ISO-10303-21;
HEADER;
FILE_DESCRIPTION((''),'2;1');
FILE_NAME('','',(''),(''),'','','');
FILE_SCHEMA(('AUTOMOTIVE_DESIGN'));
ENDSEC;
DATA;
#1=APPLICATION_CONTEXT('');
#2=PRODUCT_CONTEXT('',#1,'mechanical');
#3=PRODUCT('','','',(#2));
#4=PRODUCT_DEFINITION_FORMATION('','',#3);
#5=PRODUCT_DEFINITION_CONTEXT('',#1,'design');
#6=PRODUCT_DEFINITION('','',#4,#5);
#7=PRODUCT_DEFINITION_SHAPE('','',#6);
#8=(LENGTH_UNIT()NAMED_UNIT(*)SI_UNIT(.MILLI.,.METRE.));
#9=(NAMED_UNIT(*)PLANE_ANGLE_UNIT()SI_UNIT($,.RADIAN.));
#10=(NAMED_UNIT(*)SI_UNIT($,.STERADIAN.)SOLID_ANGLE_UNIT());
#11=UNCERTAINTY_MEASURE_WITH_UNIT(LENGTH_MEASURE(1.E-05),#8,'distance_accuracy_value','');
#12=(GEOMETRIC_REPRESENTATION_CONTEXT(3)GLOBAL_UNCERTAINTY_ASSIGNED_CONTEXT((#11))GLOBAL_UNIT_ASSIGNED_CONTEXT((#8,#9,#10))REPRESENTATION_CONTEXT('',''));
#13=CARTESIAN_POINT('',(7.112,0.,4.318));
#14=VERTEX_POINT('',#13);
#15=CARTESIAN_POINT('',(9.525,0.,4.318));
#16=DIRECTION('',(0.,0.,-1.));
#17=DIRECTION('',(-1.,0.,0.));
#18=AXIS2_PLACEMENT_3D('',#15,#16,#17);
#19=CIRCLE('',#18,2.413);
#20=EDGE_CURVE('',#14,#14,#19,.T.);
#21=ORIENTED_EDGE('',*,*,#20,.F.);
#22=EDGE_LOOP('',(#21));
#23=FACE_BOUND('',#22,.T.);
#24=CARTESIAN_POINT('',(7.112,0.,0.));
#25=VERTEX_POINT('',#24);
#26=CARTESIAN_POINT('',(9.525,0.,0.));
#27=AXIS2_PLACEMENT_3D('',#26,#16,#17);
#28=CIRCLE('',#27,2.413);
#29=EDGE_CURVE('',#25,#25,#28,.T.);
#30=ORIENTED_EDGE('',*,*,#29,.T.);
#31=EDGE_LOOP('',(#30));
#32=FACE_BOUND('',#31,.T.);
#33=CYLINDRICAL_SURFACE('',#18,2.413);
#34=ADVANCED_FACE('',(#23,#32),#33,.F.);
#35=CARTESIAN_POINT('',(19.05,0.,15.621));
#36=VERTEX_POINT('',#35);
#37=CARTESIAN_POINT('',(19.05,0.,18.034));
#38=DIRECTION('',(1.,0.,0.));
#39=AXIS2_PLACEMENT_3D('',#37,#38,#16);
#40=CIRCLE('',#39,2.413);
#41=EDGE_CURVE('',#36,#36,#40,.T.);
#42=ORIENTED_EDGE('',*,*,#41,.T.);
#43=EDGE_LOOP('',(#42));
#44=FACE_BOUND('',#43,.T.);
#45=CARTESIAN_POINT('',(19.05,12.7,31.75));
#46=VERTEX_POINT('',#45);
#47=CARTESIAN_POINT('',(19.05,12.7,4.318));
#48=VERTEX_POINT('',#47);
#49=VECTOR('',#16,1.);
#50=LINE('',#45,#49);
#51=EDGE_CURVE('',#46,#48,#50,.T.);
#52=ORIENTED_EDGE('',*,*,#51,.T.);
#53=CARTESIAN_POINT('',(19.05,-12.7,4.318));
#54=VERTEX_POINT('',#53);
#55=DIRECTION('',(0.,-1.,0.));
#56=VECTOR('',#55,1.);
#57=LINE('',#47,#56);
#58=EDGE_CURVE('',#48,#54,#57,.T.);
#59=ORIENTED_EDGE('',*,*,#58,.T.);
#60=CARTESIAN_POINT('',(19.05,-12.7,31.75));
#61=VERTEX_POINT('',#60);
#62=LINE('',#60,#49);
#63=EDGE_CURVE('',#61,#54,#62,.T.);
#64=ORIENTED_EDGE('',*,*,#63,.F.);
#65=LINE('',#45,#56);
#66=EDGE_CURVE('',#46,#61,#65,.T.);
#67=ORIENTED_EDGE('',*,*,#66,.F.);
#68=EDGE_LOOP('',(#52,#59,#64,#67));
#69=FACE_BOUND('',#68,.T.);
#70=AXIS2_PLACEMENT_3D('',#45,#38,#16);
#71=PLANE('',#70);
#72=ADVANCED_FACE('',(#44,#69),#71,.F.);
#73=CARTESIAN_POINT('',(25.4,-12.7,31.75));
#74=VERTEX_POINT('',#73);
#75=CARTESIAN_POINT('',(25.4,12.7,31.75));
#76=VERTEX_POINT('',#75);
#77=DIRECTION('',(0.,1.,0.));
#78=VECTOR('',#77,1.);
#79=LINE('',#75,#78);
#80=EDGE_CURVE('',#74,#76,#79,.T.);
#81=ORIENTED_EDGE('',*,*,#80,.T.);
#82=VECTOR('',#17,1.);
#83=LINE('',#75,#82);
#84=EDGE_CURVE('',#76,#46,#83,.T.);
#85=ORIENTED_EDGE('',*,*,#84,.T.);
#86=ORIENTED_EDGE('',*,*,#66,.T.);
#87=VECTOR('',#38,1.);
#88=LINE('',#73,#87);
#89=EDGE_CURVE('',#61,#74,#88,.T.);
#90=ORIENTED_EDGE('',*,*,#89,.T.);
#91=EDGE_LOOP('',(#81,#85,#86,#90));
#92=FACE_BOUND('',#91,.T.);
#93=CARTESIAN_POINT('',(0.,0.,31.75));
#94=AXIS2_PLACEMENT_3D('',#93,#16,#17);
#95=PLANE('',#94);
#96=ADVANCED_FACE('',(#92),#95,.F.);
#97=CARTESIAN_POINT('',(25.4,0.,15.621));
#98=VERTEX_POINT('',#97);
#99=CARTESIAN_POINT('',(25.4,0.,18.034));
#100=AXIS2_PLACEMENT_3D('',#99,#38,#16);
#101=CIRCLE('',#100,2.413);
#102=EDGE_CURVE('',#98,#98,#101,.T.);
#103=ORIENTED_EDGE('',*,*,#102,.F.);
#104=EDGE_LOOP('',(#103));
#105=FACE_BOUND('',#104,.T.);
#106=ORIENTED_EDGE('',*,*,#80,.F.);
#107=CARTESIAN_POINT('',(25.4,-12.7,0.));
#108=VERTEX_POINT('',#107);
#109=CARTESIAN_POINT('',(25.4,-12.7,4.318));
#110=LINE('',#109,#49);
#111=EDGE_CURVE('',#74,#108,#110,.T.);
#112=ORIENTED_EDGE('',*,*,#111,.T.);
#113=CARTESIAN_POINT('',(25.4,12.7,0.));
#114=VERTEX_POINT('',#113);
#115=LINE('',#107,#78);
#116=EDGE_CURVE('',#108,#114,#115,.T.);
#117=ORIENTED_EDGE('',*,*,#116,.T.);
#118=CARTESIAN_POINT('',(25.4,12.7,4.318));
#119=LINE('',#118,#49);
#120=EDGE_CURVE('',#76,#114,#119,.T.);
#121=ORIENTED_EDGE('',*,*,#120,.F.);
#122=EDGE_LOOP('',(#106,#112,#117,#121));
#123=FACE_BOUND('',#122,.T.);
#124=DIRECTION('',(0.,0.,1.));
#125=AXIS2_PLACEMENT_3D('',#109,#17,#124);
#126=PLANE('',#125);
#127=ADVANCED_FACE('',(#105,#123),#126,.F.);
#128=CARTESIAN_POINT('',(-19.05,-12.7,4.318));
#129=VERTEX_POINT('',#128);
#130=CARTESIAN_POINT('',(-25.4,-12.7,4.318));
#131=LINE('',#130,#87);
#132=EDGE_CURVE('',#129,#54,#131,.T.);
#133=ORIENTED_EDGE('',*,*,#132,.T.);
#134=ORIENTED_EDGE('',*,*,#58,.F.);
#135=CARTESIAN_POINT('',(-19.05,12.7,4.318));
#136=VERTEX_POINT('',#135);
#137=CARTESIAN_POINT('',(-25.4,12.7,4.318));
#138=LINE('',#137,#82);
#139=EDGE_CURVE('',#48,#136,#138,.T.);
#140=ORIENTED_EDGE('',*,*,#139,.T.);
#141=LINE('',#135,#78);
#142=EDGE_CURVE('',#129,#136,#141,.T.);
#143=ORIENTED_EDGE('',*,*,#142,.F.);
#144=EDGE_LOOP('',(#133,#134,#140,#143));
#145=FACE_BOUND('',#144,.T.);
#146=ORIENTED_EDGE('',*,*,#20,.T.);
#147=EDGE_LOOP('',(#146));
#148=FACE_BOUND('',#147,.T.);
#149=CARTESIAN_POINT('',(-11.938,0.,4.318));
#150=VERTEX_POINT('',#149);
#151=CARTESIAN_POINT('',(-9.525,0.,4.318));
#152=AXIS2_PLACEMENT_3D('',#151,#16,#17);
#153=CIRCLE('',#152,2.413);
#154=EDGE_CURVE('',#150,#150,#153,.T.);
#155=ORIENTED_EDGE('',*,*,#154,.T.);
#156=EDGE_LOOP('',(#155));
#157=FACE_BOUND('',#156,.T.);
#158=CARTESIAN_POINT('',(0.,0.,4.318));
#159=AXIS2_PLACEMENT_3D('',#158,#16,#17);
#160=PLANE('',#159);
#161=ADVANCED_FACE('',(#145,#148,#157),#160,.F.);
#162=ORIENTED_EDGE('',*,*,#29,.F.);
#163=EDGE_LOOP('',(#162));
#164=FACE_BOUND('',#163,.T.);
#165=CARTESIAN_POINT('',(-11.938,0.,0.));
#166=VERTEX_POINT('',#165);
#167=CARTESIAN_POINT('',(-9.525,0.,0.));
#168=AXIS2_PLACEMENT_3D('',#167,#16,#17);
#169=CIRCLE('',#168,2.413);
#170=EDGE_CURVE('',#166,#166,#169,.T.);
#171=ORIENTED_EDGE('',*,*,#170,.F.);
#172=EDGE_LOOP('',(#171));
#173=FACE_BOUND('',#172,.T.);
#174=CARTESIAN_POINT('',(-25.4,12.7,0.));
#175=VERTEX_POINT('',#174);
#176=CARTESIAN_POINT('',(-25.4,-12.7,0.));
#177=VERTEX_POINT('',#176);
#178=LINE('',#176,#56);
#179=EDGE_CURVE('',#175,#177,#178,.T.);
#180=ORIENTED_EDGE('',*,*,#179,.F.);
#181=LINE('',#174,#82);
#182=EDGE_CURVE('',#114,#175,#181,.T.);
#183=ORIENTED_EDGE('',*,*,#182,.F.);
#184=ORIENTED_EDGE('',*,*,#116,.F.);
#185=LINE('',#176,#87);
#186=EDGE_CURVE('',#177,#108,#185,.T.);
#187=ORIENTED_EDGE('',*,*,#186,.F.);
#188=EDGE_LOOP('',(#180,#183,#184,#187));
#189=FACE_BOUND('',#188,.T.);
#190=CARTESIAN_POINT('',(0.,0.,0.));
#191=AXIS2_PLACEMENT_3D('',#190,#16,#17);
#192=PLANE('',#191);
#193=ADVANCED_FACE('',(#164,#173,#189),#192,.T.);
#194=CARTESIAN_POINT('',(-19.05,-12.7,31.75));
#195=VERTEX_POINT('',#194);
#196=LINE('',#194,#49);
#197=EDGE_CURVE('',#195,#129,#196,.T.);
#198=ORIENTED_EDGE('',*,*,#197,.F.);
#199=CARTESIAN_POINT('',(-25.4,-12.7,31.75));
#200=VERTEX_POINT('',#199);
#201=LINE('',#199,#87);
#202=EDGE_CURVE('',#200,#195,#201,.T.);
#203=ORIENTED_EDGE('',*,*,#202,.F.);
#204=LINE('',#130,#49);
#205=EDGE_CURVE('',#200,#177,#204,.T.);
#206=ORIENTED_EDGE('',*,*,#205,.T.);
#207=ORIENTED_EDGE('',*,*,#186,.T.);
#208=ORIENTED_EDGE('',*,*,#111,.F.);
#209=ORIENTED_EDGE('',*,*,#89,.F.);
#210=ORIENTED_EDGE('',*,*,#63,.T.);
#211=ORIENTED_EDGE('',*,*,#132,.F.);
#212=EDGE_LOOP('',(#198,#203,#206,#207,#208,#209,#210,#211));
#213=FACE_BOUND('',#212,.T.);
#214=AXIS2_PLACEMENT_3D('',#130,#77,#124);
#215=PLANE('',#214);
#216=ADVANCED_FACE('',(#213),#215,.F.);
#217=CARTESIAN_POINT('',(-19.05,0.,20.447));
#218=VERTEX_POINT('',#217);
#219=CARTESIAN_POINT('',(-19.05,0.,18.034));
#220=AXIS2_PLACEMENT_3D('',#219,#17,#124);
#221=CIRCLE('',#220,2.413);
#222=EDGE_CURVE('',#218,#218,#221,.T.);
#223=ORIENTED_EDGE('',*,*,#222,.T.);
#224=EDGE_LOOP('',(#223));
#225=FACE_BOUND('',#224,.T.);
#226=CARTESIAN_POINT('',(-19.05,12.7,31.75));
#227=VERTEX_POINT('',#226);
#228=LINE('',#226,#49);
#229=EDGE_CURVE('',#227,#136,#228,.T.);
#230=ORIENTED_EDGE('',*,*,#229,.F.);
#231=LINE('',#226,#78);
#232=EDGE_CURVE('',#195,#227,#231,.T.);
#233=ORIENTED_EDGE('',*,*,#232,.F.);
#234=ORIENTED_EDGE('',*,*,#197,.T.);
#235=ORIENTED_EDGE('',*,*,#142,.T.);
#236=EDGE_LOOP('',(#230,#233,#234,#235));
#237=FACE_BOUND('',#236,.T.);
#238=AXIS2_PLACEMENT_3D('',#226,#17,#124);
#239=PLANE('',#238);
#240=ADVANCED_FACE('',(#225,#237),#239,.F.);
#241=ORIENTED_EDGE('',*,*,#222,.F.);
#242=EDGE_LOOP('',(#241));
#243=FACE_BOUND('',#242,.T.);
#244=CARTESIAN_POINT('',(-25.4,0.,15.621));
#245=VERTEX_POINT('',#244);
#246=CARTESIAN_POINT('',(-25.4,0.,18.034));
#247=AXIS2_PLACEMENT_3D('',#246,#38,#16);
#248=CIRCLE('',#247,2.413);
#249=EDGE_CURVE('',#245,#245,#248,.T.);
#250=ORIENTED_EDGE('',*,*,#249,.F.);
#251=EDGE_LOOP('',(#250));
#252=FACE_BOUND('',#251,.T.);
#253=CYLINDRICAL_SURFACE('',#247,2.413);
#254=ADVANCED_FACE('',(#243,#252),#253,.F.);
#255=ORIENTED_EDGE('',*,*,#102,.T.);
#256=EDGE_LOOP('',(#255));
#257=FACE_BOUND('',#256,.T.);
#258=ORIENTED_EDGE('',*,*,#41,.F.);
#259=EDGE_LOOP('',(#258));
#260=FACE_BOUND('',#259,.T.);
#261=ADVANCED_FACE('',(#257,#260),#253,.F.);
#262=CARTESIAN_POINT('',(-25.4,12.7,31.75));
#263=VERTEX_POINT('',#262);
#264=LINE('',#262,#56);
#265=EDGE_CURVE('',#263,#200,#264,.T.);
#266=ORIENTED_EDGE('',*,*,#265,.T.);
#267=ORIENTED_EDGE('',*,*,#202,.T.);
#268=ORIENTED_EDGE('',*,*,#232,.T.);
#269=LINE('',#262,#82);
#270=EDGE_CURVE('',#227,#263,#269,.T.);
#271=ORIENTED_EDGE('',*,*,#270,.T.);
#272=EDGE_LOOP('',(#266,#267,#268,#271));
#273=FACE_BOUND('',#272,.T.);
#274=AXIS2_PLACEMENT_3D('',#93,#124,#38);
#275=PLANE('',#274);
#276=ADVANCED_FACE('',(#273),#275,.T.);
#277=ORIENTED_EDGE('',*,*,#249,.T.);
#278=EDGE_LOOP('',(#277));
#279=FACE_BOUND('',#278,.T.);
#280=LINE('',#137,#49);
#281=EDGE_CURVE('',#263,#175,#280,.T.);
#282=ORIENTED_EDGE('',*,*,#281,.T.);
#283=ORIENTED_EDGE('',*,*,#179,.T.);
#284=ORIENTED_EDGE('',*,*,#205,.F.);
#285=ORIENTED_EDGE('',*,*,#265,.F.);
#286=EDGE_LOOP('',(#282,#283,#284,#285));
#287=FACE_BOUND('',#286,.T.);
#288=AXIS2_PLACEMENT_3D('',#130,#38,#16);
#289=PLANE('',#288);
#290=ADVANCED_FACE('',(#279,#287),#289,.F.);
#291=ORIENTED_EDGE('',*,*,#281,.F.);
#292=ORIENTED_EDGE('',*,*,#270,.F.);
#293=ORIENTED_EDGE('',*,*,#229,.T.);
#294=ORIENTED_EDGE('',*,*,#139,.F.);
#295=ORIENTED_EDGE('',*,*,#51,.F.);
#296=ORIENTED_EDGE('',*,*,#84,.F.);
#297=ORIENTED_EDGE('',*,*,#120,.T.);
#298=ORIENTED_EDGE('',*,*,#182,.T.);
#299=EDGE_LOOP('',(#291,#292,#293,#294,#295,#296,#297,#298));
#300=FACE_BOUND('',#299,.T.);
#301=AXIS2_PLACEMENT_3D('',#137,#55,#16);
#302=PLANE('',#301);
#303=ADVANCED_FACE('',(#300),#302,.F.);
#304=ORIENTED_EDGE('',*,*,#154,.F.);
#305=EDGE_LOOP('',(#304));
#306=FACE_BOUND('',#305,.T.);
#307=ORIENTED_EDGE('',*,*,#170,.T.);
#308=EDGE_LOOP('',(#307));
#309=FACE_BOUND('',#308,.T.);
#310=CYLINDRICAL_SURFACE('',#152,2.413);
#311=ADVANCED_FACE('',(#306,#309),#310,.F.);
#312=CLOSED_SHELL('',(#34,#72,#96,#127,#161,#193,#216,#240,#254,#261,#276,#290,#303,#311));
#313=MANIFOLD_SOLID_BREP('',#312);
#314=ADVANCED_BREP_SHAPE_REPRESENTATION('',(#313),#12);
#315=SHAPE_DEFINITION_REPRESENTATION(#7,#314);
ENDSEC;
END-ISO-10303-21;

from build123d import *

# Parameters (mm, degrees)
SKETCH1_W               = 50.8
SKETCH1_H               = 25.4
BOSS_EXTRUDE1_DEPTH     = 4.318
SKETCH2_W               = 6.35
SKETCH2_H               = 25.4
BOSS_EXTRUDE2_DEPTH     = 27.432
SKETCH4_R               = 2.413
CUT_EXTRUDE1_DEPTH      = 4.318
CUT_EXTRUDE2_DEPTH      = 57.081681501
CUT_EXTRUDE2_DEPTH_BACK = 57.081681501
SKETCH5_R               = 2.413


with BuildPart() as part:
    # Sketch1 → Boss-Extrude1 (new body)
    with BuildSketch(Plane.XY):
        Rectangle(SKETCH1_W, SKETCH1_H)
    extrude(amount=BOSS_EXTRUDE1_DEPTH)

    # Sketch2 → Boss-Extrude2 (add)
    with BuildSketch(Plane.XY.offset(4.318)):
        with Locations((-22.225, 0)):
            Rectangle(SKETCH2_W, SKETCH2_H)
        with Locations((22.225, 0)):
            Rectangle(SKETCH2_W, SKETCH2_H)
    extrude(amount=BOSS_EXTRUDE2_DEPTH)

    # Sketch4 → Cut-Extrude1 (cut)
    with BuildSketch(Plane(origin=(0, 0, 0), x_dir=(-1, 0, 0), z_dir=(0, 0, -1))):
        with Locations((-9.525, 0)):
            Circle(SKETCH4_R)
        with Locations((9.525, 0)):
            Circle(SKETCH4_R)
    extrude(amount=-CUT_EXTRUDE1_DEPTH, mode=Mode.SUBTRACT)

    # Sketch5 → Cut-Extrude2 (cut, two sides: drawn at the far end of the back side and taken through both)
    with BuildSketch(Plane(origin=(-19.05, 0, 0), x_dir=(0, 0, -1), z_dir=(1, 0, 0)).offset(-CUT_EXTRUDE2_DEPTH_BACK)):
        with Locations((-18.034, 0)):
            Circle(SKETCH5_R)
    extrude(amount=CUT_EXTRUDE2_DEPTH + CUT_EXTRUDE2_DEPTH_BACK, mode=Mode.SUBTRACT)


solid = part.part
